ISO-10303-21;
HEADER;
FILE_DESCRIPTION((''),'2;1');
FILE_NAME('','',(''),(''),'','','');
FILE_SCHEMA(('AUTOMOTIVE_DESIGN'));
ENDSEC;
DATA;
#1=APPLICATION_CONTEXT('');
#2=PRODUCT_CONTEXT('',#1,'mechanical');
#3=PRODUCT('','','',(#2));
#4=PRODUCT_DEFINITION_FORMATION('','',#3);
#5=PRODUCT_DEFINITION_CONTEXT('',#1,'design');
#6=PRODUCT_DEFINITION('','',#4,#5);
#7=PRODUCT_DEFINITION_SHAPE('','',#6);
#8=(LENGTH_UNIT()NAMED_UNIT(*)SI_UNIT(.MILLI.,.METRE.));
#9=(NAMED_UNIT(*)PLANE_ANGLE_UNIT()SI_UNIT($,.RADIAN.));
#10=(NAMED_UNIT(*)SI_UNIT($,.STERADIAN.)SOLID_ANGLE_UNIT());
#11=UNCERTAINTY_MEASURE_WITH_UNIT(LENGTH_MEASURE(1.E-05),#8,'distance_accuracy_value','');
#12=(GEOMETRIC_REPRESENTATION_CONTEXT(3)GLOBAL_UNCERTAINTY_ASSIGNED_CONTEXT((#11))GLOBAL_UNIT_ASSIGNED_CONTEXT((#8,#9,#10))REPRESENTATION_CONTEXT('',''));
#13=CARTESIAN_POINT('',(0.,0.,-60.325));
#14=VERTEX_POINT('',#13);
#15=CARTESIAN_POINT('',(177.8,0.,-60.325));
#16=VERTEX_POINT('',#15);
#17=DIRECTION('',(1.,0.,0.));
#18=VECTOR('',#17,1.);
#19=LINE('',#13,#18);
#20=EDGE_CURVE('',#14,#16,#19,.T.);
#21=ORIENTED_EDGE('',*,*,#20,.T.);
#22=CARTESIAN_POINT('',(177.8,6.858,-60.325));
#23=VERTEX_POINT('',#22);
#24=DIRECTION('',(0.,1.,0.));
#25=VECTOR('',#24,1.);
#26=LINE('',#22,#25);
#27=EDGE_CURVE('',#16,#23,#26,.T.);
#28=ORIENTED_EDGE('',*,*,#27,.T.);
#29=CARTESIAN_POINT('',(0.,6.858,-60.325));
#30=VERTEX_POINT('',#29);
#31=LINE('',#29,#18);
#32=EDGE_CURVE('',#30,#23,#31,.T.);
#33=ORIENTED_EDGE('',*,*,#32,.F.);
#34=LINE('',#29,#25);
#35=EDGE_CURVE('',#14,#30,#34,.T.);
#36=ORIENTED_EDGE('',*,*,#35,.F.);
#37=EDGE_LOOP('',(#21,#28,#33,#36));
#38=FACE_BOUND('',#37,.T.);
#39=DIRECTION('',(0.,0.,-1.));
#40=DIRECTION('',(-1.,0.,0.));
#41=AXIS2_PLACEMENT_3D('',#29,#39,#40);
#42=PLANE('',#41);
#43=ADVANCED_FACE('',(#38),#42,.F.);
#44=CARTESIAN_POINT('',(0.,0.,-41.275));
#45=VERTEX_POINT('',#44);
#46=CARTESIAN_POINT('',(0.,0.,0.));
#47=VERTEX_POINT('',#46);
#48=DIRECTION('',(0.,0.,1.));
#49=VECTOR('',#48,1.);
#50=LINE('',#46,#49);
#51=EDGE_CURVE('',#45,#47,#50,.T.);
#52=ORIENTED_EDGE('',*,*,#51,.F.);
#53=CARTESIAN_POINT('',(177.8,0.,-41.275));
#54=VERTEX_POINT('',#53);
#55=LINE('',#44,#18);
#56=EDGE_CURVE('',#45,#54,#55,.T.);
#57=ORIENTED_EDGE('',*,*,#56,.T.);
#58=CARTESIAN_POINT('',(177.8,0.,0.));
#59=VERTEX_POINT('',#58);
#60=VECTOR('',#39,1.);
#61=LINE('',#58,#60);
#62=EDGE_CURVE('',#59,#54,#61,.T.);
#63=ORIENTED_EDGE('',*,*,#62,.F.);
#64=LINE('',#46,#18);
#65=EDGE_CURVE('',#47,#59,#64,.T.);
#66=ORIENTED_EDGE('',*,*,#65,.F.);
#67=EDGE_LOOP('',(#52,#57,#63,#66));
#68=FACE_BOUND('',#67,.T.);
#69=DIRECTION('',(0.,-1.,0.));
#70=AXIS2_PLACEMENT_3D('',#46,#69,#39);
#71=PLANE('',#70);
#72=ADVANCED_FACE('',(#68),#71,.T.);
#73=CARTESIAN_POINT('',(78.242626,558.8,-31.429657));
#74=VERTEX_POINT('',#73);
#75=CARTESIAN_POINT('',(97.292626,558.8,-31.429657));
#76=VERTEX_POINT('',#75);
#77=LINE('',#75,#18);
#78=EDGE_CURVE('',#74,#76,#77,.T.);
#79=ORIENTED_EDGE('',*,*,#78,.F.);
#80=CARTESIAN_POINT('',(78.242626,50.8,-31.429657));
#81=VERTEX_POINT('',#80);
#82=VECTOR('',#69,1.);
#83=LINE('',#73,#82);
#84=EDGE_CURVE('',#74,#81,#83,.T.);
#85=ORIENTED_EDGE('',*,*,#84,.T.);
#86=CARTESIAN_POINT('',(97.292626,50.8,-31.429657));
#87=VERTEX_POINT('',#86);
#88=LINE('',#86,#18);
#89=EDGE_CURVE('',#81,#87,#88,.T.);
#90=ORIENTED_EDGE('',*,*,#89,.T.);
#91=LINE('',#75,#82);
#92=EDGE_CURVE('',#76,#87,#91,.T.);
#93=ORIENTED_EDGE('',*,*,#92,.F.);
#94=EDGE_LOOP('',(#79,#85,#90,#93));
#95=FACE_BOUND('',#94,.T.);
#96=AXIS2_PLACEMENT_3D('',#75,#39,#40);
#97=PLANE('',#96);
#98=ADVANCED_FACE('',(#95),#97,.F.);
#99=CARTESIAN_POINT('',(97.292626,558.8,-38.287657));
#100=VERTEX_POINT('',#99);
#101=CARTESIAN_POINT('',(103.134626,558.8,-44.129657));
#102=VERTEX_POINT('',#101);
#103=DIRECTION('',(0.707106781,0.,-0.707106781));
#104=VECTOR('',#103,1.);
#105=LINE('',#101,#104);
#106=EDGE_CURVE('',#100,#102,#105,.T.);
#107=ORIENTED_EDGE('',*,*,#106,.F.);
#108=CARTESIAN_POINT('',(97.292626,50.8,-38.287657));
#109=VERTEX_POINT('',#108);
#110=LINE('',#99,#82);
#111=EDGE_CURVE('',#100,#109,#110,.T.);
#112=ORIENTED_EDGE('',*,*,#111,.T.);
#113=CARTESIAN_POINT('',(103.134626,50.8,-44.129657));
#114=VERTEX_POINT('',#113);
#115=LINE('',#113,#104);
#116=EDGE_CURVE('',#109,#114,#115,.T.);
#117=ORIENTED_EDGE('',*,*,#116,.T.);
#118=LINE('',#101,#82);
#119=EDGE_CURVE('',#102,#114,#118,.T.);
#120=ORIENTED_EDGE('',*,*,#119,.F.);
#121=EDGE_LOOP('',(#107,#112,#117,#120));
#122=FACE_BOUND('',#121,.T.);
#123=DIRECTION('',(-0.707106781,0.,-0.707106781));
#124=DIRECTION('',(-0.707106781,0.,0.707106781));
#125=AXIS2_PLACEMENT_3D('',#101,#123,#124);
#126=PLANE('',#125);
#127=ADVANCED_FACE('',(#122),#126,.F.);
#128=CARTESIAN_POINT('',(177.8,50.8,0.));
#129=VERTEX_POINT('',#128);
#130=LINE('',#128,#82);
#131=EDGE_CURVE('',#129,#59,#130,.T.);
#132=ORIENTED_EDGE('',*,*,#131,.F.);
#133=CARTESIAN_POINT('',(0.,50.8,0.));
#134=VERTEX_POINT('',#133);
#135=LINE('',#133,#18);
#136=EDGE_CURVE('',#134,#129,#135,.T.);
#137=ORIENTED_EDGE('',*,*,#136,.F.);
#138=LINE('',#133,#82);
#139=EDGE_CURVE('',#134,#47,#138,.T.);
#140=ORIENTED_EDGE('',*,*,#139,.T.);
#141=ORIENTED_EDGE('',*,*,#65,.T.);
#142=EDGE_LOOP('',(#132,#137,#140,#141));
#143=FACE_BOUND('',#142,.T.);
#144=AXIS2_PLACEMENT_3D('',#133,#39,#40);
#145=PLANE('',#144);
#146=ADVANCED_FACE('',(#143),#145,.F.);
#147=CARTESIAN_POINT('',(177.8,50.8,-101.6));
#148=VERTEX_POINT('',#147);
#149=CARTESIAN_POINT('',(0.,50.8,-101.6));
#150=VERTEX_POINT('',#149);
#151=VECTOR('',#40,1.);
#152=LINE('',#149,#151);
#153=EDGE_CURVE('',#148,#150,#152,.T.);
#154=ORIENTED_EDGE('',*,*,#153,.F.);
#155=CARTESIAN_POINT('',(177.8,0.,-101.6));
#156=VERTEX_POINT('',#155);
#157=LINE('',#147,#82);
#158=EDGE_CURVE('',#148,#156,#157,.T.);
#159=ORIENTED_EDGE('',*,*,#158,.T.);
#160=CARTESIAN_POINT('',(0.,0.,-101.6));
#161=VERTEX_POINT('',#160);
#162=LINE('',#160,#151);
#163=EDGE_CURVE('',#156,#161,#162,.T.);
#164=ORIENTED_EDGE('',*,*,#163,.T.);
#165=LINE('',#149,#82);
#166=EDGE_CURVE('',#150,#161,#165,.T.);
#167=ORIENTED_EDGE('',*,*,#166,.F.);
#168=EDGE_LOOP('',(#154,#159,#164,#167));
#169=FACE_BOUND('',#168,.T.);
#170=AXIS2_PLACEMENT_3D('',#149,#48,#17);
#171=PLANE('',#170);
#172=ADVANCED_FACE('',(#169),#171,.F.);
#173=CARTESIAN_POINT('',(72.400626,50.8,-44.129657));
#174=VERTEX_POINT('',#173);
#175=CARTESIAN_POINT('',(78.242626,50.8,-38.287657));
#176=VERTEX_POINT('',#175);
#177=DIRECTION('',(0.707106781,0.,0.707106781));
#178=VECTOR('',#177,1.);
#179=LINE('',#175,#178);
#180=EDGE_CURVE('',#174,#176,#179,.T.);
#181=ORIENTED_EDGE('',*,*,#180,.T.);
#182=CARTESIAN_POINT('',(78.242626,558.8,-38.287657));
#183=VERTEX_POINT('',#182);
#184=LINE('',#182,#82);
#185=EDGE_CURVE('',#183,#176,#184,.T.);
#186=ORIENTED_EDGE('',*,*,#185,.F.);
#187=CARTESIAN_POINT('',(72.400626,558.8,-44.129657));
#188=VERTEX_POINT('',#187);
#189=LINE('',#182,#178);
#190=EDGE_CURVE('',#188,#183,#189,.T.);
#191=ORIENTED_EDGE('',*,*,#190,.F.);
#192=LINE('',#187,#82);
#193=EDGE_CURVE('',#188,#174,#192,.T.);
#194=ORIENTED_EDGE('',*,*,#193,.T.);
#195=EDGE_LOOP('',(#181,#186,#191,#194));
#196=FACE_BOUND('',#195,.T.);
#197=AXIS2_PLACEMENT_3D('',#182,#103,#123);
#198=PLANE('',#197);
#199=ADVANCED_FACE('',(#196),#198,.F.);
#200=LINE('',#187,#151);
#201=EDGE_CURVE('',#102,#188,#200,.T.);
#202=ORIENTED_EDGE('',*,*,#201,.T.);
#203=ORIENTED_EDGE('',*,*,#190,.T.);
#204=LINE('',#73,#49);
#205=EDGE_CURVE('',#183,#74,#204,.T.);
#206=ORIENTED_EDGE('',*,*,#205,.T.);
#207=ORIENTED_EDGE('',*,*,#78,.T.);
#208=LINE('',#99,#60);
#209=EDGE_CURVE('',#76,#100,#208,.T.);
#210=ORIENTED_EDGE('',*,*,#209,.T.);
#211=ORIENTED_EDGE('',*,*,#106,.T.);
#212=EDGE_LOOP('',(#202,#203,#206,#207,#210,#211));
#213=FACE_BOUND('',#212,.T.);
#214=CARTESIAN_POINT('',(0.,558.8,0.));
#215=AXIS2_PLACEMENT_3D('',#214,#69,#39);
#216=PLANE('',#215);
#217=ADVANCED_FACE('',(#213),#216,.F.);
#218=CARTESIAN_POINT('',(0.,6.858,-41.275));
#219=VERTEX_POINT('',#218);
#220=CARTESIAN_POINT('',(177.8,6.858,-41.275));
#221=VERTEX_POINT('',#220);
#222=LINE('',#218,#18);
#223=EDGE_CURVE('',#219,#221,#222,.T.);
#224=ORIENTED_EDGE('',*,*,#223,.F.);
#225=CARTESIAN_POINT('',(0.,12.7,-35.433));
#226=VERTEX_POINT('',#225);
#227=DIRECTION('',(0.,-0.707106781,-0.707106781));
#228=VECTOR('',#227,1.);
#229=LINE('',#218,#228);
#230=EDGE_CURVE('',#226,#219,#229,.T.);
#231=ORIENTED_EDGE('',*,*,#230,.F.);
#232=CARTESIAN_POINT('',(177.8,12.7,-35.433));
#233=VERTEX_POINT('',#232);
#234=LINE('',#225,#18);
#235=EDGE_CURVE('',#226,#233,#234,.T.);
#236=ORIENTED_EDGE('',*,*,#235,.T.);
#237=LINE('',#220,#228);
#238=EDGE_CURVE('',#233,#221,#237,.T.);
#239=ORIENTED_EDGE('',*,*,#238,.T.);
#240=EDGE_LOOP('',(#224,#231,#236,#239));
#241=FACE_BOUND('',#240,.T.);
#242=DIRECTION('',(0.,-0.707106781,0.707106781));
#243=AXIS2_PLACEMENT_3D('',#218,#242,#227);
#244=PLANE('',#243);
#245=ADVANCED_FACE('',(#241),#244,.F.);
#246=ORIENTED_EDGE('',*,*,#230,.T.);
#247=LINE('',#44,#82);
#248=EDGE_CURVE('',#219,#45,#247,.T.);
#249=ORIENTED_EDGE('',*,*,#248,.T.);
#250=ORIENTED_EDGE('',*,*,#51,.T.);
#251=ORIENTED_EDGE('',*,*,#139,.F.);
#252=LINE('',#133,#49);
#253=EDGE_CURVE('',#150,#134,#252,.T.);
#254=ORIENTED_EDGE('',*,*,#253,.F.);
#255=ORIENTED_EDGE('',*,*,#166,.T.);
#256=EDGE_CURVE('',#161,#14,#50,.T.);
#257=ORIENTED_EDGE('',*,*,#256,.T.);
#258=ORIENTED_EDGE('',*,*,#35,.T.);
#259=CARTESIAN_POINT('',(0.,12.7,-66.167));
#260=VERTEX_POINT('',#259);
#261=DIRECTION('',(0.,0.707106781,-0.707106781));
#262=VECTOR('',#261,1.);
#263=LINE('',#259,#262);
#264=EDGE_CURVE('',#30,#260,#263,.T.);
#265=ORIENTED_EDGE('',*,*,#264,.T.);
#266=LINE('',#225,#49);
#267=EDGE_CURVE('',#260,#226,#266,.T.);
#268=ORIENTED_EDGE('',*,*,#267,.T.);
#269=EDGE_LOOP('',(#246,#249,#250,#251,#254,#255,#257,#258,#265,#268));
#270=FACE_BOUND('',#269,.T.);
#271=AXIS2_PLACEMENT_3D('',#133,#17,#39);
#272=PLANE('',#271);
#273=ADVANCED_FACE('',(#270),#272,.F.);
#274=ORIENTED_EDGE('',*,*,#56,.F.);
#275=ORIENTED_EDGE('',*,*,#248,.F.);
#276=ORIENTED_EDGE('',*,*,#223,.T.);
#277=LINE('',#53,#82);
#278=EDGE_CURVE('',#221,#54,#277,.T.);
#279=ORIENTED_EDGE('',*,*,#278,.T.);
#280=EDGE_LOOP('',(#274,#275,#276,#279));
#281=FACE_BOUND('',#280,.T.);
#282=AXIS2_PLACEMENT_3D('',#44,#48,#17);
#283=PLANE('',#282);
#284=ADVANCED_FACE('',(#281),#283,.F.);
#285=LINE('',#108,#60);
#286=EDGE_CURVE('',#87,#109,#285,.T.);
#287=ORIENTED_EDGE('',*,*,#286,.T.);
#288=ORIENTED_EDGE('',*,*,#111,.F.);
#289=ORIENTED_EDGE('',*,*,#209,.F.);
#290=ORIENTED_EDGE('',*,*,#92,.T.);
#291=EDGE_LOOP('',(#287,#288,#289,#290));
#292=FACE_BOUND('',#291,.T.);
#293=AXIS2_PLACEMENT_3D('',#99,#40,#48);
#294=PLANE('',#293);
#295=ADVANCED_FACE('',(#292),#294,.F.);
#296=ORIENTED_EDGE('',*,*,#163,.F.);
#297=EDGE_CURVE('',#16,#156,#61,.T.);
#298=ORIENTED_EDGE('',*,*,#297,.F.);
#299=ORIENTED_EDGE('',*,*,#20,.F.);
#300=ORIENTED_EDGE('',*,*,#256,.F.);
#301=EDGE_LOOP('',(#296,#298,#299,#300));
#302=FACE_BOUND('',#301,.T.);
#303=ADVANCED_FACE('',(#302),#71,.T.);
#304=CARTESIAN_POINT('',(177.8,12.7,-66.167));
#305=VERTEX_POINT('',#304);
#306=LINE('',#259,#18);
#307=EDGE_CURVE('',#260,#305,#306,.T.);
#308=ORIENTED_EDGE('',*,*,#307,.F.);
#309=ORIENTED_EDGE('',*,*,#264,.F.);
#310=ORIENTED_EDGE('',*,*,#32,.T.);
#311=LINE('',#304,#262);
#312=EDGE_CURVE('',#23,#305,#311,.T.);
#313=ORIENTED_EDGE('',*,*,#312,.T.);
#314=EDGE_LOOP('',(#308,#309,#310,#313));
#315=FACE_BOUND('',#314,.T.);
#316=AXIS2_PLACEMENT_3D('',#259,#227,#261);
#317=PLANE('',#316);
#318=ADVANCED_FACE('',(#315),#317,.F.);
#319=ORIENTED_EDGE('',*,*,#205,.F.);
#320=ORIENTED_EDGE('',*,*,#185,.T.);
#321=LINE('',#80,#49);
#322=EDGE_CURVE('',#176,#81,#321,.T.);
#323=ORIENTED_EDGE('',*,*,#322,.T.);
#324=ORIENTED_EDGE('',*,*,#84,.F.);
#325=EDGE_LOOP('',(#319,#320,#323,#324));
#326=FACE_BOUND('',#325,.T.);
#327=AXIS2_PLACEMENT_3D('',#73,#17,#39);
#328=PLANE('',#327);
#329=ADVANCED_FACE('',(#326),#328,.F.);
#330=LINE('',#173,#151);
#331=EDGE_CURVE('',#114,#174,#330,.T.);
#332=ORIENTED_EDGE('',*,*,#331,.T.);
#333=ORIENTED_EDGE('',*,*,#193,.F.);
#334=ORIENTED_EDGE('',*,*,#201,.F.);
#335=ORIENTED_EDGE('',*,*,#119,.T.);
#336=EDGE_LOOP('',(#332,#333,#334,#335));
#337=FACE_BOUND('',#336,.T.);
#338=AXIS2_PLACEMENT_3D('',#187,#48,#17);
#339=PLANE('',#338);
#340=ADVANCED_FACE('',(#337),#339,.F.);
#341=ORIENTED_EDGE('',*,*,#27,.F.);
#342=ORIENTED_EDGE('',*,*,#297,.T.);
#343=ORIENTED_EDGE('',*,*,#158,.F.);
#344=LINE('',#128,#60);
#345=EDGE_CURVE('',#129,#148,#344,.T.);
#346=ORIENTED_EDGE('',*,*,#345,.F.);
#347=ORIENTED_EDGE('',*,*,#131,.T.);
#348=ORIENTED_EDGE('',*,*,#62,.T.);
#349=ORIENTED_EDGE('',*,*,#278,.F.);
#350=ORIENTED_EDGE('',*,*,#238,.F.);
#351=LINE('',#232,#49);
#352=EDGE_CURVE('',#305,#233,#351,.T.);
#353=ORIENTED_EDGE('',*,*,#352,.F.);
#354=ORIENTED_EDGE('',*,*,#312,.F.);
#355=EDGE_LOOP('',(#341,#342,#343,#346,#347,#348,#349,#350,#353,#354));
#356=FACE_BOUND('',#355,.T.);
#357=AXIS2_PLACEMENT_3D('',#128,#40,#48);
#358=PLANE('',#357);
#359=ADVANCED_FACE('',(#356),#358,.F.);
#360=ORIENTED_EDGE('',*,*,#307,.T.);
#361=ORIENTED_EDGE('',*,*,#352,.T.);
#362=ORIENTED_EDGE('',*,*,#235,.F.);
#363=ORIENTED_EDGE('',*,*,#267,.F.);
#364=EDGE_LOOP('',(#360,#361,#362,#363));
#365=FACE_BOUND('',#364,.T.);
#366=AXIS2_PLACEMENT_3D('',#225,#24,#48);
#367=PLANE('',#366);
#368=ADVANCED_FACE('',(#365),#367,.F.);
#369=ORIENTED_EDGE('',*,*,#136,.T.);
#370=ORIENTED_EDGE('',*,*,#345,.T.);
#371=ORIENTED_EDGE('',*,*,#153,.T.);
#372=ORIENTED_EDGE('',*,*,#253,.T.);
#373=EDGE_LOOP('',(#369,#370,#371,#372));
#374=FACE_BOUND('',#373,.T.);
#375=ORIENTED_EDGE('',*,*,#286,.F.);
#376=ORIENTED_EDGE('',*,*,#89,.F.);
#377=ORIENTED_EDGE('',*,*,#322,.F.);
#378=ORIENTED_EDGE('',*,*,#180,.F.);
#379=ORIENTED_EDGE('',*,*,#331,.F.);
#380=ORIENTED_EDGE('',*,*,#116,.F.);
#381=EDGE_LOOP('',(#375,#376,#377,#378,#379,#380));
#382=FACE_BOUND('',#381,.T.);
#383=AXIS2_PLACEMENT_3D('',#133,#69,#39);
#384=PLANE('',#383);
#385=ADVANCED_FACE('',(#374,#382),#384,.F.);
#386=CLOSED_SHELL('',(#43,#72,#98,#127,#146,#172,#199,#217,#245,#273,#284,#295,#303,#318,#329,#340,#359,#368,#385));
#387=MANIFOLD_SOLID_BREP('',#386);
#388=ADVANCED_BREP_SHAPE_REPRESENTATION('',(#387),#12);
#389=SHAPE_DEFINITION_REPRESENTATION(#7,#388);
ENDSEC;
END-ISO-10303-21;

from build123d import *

# Parameters (mm, degrees)
SKETCH1_W           = 177.8
SKETCH1_H           = 101.6
BOSS_EXTRUDE1_DEPTH = 50.8
CUT_EXTRUDE1_DEPTH  = 178.8
BOSS_EXTRUDE2_DEPTH = 508


with BuildPart() as part:
    # Sketch1 → Boss-Extrude1 (new body)
    with BuildSketch(Plane(origin=(0, 0, 0), x_dir=(1, 0, 0), z_dir=(0, 1, 0))):
        with Locations((88.9, 50.8)):
            Rectangle(SKETCH1_W, SKETCH1_H)
    extrude(amount=BOSS_EXTRUDE1_DEPTH)

    # Sketch2 → Cut-Extrude1 (cut, through all)
    with BuildSketch(Plane(origin=(177.8, 0, 0), x_dir=(0, 0, -1), z_dir=(1, 0, 0))):
        Polygon((41.275, 0), (41.275, 6.858), (35.433, 12.7), (66.167, 12.7), (60.325, 6.858), (60.325, 0), align=None)
    extrude(amount=-CUT_EXTRUDE1_DEPTH, mode=Mode.SUBTRACT)

    # Sketch3 → Boss-Extrude2 (add)
    with BuildSketch(Plane(origin=(0, 50.8, 0), x_dir=(1, 0, 0), z_dir=(0, 1, 0))):
        Polygon((78.242626062, 31.429656714), (78.242626062, 38.287656714), (72.400626062, 44.129656714), (103.134626062, 44.129656714), (97.292626062, 38.287656714), (97.292626062, 31.429656714), align=None)
    extrude(amount=BOSS_EXTRUDE2_DEPTH)


solid = part.part
